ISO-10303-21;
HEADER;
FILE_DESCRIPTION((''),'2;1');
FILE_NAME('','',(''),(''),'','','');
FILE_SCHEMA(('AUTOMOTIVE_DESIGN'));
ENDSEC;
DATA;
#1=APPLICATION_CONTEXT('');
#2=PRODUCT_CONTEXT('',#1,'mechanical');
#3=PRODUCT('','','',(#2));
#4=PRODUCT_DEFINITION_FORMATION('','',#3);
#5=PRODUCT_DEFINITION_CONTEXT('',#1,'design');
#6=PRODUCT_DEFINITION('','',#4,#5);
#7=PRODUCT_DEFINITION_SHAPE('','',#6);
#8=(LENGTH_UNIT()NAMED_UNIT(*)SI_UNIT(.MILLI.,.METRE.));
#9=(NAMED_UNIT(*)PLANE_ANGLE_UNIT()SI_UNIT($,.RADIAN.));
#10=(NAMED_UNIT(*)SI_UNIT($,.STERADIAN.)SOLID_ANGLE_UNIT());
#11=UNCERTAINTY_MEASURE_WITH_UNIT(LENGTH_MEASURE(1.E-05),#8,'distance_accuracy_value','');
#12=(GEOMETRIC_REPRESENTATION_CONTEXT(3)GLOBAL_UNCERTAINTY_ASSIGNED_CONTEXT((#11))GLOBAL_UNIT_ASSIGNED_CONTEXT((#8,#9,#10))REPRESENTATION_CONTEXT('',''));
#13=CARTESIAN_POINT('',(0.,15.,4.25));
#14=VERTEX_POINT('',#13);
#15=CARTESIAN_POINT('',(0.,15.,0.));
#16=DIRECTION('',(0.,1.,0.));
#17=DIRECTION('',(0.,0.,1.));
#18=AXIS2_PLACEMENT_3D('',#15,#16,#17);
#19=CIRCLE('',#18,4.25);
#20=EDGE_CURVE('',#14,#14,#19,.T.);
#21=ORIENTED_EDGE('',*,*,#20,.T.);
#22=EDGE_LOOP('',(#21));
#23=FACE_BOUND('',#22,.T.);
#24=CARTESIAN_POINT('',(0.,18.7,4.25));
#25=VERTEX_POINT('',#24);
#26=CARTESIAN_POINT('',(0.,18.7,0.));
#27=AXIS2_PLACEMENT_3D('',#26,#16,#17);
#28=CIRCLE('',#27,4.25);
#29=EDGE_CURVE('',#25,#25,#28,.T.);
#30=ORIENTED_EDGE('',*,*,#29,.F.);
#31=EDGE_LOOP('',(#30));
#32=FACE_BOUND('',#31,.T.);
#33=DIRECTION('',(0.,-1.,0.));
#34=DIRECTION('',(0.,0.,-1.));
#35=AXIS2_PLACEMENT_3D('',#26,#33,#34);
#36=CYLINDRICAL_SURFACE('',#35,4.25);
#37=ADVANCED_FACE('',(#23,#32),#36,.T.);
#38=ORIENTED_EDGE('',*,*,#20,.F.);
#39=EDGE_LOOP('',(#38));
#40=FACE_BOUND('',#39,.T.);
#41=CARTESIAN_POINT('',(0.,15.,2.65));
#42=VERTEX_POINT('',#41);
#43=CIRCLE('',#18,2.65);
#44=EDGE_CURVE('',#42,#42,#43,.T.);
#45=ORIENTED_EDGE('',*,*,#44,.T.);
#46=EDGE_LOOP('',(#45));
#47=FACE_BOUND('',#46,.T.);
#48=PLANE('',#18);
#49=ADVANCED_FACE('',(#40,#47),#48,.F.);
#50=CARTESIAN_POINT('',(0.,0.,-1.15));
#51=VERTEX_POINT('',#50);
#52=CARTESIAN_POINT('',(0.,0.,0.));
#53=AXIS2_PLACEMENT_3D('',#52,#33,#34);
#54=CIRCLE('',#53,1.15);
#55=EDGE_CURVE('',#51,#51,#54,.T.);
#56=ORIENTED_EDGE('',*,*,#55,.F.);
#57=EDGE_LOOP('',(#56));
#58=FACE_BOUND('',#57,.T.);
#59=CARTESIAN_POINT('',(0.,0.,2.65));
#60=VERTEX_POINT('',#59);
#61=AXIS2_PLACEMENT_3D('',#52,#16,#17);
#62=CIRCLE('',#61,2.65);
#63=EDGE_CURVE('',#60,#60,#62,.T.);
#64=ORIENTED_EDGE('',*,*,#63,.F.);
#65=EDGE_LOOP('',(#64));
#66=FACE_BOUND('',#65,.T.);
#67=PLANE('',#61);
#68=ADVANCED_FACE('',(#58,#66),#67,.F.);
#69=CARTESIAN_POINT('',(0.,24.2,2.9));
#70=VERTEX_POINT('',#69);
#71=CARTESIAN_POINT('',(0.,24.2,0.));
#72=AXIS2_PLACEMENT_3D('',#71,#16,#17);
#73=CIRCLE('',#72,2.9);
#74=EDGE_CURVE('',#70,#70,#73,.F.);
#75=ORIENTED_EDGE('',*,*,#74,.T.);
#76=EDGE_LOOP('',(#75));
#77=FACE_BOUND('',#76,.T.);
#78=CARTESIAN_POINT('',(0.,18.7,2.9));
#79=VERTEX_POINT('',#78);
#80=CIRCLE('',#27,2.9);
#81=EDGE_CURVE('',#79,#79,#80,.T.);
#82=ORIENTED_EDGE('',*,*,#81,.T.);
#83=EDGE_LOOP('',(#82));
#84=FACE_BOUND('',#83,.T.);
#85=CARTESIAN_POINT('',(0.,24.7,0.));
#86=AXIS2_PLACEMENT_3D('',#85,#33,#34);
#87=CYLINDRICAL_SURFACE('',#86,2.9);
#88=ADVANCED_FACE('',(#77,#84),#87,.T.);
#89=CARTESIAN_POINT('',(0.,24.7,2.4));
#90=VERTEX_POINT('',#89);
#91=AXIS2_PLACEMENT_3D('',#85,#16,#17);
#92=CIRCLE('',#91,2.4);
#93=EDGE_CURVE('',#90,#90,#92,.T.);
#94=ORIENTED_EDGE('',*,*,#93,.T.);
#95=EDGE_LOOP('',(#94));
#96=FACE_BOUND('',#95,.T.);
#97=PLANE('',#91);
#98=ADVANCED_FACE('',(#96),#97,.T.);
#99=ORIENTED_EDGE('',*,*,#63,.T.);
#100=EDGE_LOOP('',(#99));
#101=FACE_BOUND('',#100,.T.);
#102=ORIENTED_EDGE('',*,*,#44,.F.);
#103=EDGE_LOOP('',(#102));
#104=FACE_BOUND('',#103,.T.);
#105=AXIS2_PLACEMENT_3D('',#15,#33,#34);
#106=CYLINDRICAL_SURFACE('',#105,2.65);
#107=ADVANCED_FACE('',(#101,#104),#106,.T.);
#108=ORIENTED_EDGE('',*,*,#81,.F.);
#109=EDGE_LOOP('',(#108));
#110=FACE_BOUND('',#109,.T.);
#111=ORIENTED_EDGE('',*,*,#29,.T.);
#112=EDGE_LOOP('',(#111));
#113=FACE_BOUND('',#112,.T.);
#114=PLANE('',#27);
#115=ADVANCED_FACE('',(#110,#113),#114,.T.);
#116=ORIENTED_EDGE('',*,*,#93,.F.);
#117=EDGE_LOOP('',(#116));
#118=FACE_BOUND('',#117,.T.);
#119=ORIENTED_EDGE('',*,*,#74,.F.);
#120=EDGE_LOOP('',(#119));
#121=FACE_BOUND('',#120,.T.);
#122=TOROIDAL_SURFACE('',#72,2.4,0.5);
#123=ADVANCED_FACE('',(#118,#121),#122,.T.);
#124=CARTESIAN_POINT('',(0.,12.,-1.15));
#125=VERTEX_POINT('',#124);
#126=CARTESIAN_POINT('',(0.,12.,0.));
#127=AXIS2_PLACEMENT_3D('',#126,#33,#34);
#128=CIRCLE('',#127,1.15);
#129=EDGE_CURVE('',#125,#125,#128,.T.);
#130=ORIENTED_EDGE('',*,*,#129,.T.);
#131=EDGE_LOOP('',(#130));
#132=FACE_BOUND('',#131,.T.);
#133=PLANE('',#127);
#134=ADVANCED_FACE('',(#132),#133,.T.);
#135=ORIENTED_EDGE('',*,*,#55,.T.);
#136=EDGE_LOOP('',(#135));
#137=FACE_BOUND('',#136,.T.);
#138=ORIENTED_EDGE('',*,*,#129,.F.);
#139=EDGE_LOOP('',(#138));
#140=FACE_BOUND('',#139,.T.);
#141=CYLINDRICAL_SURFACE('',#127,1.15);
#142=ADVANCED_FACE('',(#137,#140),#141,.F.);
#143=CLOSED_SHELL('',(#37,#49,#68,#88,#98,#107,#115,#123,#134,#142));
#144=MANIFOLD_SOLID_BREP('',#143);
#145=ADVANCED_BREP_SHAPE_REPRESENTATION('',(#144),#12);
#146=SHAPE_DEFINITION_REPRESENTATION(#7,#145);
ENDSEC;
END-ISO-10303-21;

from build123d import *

# Parameters (mm, degrees)
SKETCH1_R           = 2.65
BOSS_EXTRUDE1_DEPTH = 15
SKETCH2_R           = 1.15
CUT_EXTRUDE1_DEPTH  = 12
SKETCH3_R           = 4.25
BOSS_EXTRUDE2_DEPTH = 3.7
SKETCH4_R           = 2.9
BOSS_EXTRUDE3_DEPTH = 6
FILLET2_R           = 0.5


with BuildPart() as part:
    # Sketch1 → Boss-Extrude1 (new body)
    with BuildSketch(Plane(origin=(0, 0, 0), x_dir=(1, 0, 0), z_dir=(0, 1, 0))):
        with Locations(Location((0, 0, 0), (0, 0, 270))):
            Circle(SKETCH1_R)
    extrude(amount=BOSS_EXTRUDE1_DEPTH)

    # Sketch2 → Cut-Extrude1 (cut)
    with BuildSketch(Plane.XZ):
        with Locations(Location((0, 0, 0), (0, 0, 270))):
            Circle(SKETCH2_R)
    extrude(amount=-CUT_EXTRUDE1_DEPTH, mode=Mode.SUBTRACT)

    # Sketch3 → Boss-Extrude2 (add)
    with BuildSketch(Plane(origin=(0, 15, 0), x_dir=(1, 0, 0), z_dir=(0, 1, 0))):
        with Locations(Location((0, 0, 0), (0, 0, 270))):
            Circle(SKETCH3_R)
    extrude(amount=BOSS_EXTRUDE2_DEPTH)

    # Sketch4 → Boss-Extrude3 (add)
    with BuildSketch(Plane(origin=(0, 18.7, 0), x_dir=(1, 0, 0), z_dir=(0, 1, 0))):
        with Locations(Location((0, 0, 0), (0, 0, 270))):
            Circle(SKETCH4_R)
    extrude(amount=BOSS_EXTRUDE3_DEPTH)

    # Fillet2
    fillet2_edges = [part.edges().sort_by_distance(p)[0] for p in [
        (0, 24.7, -2.9),
    ]]
    fillet(fillet2_edges, radius=FILLET2_R)


solid = part.part
